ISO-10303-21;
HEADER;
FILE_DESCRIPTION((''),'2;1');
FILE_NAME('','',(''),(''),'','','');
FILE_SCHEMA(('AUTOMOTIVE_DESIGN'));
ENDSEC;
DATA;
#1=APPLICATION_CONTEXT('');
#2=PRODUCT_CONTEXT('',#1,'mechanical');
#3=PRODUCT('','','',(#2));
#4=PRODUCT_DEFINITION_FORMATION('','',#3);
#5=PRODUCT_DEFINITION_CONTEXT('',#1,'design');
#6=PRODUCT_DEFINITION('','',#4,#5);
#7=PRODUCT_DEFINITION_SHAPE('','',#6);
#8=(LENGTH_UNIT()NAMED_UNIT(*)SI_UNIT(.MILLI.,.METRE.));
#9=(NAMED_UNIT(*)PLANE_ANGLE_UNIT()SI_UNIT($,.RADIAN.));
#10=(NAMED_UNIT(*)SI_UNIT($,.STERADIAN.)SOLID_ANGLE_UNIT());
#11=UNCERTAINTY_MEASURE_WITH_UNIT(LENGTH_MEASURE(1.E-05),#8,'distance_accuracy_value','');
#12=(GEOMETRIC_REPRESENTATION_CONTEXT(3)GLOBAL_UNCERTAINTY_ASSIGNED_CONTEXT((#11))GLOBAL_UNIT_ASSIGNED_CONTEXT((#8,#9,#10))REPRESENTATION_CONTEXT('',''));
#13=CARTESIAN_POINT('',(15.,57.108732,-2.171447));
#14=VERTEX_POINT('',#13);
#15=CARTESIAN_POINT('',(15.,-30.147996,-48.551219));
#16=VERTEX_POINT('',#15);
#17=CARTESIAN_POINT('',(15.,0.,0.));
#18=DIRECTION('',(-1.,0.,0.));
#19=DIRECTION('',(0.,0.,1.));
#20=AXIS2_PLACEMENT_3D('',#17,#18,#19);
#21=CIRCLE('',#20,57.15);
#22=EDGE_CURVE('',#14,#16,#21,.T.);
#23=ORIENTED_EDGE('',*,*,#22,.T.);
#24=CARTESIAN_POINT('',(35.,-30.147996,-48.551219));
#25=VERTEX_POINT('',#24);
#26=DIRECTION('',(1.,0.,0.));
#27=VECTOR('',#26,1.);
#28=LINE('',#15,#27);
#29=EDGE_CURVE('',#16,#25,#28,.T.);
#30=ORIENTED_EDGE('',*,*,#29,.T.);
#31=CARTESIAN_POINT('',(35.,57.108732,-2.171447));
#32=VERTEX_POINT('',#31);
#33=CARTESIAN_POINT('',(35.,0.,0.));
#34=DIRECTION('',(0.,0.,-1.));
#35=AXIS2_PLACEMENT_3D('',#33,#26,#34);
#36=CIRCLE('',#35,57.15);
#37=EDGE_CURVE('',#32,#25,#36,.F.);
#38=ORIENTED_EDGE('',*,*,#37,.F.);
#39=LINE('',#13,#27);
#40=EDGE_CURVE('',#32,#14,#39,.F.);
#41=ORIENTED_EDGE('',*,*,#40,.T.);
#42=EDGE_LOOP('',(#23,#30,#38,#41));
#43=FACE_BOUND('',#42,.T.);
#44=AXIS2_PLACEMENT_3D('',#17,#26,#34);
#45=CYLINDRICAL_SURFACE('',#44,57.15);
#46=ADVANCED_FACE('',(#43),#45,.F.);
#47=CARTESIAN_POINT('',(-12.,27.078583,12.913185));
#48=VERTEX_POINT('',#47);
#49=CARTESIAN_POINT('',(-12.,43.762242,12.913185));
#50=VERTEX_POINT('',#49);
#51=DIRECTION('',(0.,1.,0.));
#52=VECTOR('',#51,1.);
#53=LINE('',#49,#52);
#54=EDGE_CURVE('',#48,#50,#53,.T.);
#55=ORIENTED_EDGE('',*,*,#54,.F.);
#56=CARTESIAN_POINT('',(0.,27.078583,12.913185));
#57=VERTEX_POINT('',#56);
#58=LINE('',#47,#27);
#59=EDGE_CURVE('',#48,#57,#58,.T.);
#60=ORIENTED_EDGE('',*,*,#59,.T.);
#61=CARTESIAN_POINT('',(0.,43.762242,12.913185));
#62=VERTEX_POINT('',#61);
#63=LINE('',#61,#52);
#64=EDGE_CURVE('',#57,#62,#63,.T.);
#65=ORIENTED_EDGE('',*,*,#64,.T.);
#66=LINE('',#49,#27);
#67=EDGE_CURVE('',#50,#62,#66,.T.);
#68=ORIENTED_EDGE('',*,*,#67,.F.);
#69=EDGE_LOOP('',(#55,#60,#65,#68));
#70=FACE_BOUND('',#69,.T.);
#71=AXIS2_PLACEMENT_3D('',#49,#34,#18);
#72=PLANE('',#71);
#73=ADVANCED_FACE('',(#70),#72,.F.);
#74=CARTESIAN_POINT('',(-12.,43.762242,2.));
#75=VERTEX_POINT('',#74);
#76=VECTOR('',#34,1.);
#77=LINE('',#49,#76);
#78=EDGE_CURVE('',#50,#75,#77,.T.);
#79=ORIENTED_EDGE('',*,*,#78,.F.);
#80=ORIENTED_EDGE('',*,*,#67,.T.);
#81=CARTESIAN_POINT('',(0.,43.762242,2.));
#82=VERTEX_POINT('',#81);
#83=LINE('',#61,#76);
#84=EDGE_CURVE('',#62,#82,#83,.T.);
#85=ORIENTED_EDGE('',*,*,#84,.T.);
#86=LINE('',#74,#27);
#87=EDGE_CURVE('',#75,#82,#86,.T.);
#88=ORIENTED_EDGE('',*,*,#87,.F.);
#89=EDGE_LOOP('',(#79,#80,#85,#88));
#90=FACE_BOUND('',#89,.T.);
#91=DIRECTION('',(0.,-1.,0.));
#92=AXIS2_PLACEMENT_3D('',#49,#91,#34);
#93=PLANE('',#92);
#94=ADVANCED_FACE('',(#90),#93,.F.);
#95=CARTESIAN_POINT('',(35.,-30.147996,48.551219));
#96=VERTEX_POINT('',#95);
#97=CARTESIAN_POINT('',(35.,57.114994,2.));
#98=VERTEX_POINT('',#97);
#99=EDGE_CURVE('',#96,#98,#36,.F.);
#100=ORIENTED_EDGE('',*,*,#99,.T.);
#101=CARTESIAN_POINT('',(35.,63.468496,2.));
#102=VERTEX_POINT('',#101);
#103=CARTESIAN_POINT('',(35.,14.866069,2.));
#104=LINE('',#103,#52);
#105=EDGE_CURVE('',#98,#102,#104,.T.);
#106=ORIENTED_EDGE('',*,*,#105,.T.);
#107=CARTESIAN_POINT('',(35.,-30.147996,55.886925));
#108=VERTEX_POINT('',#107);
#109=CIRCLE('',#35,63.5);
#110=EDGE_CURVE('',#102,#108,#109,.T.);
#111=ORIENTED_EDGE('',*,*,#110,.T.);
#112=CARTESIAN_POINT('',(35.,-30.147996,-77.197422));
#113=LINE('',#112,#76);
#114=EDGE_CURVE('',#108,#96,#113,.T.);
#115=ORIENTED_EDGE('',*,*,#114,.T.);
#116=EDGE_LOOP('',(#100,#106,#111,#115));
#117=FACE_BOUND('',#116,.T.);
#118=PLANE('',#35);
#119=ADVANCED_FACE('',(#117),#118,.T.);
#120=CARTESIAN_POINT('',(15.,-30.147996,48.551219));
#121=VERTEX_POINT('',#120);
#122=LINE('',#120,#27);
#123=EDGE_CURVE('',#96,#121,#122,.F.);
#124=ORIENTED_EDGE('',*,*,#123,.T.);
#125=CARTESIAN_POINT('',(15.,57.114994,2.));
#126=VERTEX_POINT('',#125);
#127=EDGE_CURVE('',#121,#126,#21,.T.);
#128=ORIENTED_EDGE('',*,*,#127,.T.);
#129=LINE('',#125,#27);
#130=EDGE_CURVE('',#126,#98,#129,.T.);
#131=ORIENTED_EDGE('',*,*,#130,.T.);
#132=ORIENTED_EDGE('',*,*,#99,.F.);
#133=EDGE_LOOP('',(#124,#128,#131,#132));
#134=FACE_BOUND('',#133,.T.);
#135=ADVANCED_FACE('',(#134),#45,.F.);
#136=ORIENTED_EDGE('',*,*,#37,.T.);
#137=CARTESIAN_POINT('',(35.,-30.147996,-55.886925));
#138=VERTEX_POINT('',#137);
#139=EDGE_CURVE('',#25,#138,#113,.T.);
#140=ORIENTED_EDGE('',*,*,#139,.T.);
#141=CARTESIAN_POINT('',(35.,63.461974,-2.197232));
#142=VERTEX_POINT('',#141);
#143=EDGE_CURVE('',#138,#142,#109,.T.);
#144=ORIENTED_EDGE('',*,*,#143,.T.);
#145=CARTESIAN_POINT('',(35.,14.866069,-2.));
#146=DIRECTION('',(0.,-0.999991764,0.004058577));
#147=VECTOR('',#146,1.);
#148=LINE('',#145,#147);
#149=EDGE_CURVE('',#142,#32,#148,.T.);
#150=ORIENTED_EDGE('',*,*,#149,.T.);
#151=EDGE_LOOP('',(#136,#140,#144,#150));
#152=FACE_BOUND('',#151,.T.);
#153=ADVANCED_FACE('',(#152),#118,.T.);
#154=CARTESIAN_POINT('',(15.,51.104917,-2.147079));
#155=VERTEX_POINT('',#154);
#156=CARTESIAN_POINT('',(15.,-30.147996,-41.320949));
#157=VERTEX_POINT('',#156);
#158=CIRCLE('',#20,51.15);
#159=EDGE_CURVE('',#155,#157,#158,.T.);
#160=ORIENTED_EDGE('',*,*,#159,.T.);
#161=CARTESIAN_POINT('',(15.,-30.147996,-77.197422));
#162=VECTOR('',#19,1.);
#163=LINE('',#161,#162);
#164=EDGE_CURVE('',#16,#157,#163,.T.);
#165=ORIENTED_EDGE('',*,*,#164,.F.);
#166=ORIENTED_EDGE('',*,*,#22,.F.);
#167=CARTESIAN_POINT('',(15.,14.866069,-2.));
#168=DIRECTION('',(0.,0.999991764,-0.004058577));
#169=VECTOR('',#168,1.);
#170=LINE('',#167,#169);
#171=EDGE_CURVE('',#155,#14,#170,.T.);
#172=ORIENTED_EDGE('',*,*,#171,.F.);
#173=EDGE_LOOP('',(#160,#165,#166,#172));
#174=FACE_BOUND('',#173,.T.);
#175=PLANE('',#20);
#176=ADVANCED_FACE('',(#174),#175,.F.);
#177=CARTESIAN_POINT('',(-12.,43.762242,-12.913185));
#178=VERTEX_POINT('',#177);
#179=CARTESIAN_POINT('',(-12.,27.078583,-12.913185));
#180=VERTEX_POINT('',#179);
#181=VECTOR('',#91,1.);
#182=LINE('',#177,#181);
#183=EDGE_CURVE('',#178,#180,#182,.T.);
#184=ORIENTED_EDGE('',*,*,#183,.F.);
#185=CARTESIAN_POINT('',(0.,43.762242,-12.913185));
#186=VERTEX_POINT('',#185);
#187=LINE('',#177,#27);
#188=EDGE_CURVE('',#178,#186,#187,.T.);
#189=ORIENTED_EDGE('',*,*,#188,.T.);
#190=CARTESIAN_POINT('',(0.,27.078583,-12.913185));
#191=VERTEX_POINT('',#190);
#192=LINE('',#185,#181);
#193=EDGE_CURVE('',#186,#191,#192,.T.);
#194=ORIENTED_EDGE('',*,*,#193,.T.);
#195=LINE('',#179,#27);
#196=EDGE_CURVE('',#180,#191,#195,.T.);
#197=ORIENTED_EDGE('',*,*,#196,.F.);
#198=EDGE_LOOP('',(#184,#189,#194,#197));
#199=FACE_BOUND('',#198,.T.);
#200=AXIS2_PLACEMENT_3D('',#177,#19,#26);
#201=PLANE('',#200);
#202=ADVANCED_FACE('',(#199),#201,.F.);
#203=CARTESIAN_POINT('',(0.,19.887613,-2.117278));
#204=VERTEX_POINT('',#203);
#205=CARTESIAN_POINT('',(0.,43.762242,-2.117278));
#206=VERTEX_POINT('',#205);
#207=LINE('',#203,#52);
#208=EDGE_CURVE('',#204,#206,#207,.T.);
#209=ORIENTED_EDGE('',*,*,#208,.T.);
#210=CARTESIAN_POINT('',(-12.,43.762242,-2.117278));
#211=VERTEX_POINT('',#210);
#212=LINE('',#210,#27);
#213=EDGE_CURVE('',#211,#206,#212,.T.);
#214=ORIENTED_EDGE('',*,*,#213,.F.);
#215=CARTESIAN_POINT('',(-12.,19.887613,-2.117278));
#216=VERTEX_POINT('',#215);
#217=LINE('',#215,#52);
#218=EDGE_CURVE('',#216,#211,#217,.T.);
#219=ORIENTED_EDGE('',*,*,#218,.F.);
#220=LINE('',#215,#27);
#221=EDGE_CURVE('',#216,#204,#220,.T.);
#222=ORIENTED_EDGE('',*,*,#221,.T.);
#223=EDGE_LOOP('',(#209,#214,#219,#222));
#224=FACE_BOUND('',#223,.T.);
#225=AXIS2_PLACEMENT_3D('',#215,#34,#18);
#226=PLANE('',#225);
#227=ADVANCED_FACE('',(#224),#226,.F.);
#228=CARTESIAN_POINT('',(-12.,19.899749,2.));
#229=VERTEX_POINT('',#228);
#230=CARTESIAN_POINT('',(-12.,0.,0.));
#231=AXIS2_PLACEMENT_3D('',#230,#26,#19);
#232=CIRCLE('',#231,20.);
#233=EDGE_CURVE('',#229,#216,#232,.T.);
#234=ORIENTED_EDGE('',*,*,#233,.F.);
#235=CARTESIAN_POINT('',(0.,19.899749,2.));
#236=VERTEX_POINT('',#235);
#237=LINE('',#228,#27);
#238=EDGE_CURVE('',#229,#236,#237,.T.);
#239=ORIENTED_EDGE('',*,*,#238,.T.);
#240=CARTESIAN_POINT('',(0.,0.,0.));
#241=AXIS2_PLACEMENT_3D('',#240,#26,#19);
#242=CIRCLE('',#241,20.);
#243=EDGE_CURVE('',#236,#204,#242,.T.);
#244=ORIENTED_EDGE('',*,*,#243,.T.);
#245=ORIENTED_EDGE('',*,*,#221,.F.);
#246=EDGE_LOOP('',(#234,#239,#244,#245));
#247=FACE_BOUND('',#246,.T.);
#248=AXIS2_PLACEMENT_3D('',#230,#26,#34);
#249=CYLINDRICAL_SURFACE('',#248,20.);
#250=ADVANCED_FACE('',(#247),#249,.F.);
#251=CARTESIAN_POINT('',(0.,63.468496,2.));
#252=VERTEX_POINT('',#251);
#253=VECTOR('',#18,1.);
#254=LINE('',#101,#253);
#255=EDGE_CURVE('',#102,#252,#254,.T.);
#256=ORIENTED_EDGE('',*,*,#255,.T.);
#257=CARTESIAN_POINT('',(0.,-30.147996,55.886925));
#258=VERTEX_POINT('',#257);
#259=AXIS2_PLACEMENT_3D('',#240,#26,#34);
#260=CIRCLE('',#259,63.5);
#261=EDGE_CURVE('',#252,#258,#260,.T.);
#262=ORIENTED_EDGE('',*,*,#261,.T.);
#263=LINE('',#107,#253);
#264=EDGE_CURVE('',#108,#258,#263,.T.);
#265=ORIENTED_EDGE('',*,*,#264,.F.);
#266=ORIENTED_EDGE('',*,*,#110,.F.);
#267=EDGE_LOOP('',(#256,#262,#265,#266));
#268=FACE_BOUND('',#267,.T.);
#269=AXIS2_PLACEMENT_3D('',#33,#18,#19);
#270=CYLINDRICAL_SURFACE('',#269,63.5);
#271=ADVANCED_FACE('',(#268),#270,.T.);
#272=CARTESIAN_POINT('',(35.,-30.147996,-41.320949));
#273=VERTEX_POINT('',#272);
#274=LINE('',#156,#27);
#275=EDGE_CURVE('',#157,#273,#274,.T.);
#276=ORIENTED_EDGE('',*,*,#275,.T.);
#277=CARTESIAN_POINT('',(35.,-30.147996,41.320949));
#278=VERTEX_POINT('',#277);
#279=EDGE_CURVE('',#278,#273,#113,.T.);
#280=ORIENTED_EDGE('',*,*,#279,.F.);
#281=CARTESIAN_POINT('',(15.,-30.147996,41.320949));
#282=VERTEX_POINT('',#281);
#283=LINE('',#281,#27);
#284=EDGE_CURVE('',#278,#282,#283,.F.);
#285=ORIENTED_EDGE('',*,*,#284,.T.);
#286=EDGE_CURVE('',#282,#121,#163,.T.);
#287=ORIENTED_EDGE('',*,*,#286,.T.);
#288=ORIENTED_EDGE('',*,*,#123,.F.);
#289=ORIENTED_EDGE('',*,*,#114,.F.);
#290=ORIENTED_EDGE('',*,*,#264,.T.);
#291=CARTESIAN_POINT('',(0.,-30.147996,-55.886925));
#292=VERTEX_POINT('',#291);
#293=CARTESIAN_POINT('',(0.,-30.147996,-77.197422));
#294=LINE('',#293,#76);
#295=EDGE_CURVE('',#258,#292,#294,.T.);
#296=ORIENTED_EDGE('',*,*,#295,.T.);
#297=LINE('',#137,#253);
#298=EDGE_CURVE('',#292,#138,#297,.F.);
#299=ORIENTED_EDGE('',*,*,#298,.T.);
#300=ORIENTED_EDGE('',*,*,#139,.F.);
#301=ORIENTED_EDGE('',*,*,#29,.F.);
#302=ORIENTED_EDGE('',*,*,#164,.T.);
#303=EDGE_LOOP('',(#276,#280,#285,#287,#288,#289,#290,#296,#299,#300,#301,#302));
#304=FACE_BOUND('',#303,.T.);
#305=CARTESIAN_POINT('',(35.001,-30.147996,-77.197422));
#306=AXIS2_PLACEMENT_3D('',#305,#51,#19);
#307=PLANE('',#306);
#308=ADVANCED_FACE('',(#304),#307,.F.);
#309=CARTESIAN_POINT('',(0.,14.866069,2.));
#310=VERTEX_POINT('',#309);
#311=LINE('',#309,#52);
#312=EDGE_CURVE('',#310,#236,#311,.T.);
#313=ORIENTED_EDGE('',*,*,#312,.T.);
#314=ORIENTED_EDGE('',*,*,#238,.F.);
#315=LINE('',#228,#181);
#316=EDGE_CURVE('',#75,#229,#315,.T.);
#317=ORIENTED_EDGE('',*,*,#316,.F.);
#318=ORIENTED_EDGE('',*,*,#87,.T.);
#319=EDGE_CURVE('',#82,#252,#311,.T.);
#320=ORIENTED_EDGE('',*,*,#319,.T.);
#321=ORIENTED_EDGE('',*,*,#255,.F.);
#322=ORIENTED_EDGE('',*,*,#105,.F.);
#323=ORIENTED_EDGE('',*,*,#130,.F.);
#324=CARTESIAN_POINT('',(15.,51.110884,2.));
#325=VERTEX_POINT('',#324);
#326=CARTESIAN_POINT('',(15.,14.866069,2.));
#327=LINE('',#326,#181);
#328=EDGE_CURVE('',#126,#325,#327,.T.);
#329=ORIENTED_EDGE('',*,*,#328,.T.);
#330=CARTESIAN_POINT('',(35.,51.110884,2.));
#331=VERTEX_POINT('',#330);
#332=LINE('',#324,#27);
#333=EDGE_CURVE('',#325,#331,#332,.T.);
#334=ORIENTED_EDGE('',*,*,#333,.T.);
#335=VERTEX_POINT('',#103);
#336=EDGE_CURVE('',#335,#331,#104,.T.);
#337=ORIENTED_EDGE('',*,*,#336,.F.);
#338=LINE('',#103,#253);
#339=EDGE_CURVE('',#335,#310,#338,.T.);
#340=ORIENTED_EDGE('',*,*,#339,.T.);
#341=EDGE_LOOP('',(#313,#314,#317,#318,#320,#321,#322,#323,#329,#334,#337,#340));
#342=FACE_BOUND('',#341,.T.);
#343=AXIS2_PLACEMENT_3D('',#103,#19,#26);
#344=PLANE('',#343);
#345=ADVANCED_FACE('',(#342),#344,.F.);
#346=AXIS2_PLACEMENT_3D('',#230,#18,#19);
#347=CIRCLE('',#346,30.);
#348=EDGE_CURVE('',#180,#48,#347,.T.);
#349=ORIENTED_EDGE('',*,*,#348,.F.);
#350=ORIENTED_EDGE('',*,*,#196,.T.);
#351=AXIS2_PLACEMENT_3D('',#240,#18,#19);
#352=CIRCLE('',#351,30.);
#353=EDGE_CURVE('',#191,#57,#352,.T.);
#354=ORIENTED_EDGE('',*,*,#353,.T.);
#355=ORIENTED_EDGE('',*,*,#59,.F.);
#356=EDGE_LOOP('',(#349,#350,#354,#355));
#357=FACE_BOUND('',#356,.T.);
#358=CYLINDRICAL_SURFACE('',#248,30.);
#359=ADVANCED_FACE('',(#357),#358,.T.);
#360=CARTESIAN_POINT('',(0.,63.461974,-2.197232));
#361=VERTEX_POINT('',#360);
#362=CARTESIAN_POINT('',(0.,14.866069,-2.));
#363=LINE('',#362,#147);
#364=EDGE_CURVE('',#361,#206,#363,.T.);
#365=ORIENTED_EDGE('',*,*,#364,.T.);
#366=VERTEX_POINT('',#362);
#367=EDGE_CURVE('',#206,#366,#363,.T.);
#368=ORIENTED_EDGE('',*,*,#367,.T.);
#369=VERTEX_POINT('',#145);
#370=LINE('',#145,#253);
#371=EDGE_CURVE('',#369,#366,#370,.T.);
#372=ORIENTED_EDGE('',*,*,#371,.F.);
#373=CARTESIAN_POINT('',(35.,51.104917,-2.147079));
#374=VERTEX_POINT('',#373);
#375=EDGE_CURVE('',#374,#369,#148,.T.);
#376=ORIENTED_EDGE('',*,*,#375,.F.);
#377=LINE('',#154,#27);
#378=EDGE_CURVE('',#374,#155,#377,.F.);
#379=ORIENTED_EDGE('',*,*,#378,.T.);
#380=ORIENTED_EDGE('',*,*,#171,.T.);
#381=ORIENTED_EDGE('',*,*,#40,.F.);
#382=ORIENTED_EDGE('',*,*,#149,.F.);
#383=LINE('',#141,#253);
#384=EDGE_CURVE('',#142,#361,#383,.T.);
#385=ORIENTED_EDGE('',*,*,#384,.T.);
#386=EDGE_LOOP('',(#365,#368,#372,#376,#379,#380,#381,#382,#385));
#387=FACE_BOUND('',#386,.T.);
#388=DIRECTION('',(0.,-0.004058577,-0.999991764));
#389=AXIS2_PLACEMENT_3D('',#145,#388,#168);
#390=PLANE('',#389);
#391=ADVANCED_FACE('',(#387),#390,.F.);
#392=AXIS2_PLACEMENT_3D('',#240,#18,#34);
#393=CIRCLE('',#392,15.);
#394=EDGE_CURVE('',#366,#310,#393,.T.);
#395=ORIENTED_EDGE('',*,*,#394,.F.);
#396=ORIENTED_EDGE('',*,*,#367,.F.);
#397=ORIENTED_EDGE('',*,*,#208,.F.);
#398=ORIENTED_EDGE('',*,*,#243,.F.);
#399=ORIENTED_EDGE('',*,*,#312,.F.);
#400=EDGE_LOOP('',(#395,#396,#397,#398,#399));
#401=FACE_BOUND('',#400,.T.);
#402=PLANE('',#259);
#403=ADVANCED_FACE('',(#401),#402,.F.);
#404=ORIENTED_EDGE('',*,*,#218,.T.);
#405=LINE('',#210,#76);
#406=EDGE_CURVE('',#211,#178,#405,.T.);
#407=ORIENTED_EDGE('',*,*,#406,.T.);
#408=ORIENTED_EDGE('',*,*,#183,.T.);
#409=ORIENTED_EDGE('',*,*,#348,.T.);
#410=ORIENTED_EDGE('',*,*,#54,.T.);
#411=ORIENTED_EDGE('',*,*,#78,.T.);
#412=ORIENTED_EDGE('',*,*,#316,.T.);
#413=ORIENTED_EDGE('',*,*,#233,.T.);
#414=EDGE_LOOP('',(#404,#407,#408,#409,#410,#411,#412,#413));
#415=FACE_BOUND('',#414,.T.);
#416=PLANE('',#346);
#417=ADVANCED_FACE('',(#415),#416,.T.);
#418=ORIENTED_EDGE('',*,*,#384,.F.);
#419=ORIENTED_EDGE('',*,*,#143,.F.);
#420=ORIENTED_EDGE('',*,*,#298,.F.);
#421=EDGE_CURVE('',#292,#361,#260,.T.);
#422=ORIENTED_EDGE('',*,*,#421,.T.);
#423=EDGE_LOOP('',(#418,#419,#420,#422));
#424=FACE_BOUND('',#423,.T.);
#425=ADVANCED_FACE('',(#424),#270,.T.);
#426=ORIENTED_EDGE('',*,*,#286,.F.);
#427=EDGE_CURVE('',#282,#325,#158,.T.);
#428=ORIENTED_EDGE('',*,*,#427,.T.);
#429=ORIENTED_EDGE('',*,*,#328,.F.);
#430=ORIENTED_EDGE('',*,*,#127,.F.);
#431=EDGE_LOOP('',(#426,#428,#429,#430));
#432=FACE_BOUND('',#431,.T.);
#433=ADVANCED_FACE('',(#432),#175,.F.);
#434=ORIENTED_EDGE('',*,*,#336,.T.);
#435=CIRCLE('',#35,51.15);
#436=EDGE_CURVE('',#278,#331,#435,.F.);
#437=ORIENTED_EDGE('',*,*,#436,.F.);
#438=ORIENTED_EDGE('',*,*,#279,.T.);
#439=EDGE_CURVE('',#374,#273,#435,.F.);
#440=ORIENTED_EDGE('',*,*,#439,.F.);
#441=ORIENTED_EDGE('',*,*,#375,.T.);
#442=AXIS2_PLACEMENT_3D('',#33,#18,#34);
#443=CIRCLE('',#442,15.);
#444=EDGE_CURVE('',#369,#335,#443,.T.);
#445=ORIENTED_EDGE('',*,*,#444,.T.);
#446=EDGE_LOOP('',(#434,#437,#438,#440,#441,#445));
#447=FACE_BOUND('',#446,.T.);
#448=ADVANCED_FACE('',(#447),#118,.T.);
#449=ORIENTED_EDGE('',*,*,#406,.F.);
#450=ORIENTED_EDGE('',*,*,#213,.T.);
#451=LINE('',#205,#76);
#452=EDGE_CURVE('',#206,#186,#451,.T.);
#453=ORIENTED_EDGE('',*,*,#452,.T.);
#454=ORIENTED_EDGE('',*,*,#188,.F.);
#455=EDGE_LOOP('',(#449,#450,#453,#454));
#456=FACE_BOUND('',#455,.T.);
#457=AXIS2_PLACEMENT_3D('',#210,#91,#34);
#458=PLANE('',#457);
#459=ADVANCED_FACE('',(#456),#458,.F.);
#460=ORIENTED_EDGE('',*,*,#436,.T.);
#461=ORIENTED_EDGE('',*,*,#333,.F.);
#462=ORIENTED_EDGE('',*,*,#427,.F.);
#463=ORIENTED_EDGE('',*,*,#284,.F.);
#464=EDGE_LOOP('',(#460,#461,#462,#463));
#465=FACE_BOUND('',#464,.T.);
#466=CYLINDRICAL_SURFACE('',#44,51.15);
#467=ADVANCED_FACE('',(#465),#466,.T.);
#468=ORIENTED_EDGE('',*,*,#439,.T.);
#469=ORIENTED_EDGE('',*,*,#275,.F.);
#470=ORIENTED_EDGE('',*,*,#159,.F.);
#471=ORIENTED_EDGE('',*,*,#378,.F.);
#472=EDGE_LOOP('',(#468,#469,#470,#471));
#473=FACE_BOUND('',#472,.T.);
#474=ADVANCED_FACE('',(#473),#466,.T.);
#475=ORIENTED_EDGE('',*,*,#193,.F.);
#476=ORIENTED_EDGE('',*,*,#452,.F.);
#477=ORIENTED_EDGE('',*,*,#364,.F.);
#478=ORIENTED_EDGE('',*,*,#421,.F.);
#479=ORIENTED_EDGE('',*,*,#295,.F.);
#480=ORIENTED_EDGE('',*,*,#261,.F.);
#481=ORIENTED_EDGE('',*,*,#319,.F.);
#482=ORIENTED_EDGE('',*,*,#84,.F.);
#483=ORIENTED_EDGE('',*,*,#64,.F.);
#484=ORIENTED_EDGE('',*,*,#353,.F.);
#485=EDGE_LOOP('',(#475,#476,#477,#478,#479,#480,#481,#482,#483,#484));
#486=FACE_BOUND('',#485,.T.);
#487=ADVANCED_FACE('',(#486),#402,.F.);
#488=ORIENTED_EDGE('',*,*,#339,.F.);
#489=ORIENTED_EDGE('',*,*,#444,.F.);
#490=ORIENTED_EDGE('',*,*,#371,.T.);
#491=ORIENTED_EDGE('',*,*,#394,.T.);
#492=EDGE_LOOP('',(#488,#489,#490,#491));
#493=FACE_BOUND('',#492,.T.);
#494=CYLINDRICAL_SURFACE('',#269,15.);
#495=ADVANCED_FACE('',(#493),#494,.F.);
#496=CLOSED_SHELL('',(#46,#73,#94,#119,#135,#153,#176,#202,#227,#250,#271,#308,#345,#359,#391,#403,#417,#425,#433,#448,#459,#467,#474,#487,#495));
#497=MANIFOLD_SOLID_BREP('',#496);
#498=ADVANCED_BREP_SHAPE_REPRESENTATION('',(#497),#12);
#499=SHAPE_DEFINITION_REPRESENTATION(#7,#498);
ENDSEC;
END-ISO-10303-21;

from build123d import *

# Parameters (mm, degrees)
SALIENTE_EXTRUIR1_DEPTH = 35
SALIENTE_EXTRUIR2_DEPTH = 12
CROQUIS2_R              = 57.15
CROQUIS2_R_2            = 51.15
CORTAR_EXTRUIR2_DEPTH   = 20
CORTAR_EXTRUIR3_REACH   = 98.382
CROQUIS4_W              = 151.714378115
CROQUIS4_H              = 39.157803324


with BuildPart() as part:
    # Croquis1 → Saliente-Extruir1 (new body)
    with BuildSketch(Plane(origin=(0, 0, 0), x_dir=(0, 0, -1), z_dir=(1, 0, 0))):
        with BuildLine():
            Line((-2, 14.866068747), (-2, 63.468496122))
            ThreePointArc((-2, 63.468496122), (-0.098669817, -63.499923341), (2.197231834, 63.461974223))
            Line((2.197231834, 63.461974223), (2, 14.866068747))
            ThreePointArc((2, 14.866068747), (0, -15), (-2, 14.866068747))
        make_face()
    extrude(amount=SALIENTE_EXTRUIR1_DEPTH)

    # Croquis3 → Saliente-Extruir2 (add)
    with BuildSketch(Plane.ZY):
        with BuildLine():
            Line((-2.1172783, 19.887612541), (-2.1172783, 43.76224174))
            Line((-2.1172783, 43.76224174), (-12.9131853, 43.76224174))
            Line((-12.9131853, 43.76224174), (-12.9131853, 27.07858278))
            ThreePointArc((-12.9131853, 27.07858278), (0, -30), (12.9131853, 27.07858278))
            Line((12.9131853, 27.07858278), (12.9131853, 43.76224174))
            Line((12.9131853, 43.76224174), (2, 43.76224174))
            Line((2, 43.76224174), (2, 19.899748742))
            ThreePointArc((2, 19.899748742), (0.058952284, -19.999913116), (-2.1172783, 19.887612541))
        make_face()
    extrude(amount=SALIENTE_EXTRUIR2_DEPTH)

    # Croquis2 → Cortar-Extruir2 (cut)
    with BuildSketch(Plane.ZY.offset(-35)):
        Circle(CROQUIS2_R)
        Circle(CROQUIS2_R_2, mode=Mode.SUBTRACT)
    extrude(amount=CORTAR_EXTRUIR2_DEPTH, mode=Mode.SUBTRACT)

    # Croquis4 → Cortar-Extruir3 (cut, up to next)
    with BuildSketch(Plane.ZY, mode=Mode.PRIVATE) as cortar_extruir3_sk1:
        with Locations((-1.340233023, -49.726897526)):
            Rectangle(CROQUIS4_W, CROQUIS4_H)
    cortar_extruir3_tool1 = extrude(cortar_extruir3_sk1.sketch, amount=-CORTAR_EXTRUIR3_REACH, mode=Mode.PRIVATE) & part.part
    add(cortar_extruir3_tool1.solids().sort_by_distance((0, -49.726898, -1.340233))[0], mode=Mode.SUBTRACT)


solid = part.part
